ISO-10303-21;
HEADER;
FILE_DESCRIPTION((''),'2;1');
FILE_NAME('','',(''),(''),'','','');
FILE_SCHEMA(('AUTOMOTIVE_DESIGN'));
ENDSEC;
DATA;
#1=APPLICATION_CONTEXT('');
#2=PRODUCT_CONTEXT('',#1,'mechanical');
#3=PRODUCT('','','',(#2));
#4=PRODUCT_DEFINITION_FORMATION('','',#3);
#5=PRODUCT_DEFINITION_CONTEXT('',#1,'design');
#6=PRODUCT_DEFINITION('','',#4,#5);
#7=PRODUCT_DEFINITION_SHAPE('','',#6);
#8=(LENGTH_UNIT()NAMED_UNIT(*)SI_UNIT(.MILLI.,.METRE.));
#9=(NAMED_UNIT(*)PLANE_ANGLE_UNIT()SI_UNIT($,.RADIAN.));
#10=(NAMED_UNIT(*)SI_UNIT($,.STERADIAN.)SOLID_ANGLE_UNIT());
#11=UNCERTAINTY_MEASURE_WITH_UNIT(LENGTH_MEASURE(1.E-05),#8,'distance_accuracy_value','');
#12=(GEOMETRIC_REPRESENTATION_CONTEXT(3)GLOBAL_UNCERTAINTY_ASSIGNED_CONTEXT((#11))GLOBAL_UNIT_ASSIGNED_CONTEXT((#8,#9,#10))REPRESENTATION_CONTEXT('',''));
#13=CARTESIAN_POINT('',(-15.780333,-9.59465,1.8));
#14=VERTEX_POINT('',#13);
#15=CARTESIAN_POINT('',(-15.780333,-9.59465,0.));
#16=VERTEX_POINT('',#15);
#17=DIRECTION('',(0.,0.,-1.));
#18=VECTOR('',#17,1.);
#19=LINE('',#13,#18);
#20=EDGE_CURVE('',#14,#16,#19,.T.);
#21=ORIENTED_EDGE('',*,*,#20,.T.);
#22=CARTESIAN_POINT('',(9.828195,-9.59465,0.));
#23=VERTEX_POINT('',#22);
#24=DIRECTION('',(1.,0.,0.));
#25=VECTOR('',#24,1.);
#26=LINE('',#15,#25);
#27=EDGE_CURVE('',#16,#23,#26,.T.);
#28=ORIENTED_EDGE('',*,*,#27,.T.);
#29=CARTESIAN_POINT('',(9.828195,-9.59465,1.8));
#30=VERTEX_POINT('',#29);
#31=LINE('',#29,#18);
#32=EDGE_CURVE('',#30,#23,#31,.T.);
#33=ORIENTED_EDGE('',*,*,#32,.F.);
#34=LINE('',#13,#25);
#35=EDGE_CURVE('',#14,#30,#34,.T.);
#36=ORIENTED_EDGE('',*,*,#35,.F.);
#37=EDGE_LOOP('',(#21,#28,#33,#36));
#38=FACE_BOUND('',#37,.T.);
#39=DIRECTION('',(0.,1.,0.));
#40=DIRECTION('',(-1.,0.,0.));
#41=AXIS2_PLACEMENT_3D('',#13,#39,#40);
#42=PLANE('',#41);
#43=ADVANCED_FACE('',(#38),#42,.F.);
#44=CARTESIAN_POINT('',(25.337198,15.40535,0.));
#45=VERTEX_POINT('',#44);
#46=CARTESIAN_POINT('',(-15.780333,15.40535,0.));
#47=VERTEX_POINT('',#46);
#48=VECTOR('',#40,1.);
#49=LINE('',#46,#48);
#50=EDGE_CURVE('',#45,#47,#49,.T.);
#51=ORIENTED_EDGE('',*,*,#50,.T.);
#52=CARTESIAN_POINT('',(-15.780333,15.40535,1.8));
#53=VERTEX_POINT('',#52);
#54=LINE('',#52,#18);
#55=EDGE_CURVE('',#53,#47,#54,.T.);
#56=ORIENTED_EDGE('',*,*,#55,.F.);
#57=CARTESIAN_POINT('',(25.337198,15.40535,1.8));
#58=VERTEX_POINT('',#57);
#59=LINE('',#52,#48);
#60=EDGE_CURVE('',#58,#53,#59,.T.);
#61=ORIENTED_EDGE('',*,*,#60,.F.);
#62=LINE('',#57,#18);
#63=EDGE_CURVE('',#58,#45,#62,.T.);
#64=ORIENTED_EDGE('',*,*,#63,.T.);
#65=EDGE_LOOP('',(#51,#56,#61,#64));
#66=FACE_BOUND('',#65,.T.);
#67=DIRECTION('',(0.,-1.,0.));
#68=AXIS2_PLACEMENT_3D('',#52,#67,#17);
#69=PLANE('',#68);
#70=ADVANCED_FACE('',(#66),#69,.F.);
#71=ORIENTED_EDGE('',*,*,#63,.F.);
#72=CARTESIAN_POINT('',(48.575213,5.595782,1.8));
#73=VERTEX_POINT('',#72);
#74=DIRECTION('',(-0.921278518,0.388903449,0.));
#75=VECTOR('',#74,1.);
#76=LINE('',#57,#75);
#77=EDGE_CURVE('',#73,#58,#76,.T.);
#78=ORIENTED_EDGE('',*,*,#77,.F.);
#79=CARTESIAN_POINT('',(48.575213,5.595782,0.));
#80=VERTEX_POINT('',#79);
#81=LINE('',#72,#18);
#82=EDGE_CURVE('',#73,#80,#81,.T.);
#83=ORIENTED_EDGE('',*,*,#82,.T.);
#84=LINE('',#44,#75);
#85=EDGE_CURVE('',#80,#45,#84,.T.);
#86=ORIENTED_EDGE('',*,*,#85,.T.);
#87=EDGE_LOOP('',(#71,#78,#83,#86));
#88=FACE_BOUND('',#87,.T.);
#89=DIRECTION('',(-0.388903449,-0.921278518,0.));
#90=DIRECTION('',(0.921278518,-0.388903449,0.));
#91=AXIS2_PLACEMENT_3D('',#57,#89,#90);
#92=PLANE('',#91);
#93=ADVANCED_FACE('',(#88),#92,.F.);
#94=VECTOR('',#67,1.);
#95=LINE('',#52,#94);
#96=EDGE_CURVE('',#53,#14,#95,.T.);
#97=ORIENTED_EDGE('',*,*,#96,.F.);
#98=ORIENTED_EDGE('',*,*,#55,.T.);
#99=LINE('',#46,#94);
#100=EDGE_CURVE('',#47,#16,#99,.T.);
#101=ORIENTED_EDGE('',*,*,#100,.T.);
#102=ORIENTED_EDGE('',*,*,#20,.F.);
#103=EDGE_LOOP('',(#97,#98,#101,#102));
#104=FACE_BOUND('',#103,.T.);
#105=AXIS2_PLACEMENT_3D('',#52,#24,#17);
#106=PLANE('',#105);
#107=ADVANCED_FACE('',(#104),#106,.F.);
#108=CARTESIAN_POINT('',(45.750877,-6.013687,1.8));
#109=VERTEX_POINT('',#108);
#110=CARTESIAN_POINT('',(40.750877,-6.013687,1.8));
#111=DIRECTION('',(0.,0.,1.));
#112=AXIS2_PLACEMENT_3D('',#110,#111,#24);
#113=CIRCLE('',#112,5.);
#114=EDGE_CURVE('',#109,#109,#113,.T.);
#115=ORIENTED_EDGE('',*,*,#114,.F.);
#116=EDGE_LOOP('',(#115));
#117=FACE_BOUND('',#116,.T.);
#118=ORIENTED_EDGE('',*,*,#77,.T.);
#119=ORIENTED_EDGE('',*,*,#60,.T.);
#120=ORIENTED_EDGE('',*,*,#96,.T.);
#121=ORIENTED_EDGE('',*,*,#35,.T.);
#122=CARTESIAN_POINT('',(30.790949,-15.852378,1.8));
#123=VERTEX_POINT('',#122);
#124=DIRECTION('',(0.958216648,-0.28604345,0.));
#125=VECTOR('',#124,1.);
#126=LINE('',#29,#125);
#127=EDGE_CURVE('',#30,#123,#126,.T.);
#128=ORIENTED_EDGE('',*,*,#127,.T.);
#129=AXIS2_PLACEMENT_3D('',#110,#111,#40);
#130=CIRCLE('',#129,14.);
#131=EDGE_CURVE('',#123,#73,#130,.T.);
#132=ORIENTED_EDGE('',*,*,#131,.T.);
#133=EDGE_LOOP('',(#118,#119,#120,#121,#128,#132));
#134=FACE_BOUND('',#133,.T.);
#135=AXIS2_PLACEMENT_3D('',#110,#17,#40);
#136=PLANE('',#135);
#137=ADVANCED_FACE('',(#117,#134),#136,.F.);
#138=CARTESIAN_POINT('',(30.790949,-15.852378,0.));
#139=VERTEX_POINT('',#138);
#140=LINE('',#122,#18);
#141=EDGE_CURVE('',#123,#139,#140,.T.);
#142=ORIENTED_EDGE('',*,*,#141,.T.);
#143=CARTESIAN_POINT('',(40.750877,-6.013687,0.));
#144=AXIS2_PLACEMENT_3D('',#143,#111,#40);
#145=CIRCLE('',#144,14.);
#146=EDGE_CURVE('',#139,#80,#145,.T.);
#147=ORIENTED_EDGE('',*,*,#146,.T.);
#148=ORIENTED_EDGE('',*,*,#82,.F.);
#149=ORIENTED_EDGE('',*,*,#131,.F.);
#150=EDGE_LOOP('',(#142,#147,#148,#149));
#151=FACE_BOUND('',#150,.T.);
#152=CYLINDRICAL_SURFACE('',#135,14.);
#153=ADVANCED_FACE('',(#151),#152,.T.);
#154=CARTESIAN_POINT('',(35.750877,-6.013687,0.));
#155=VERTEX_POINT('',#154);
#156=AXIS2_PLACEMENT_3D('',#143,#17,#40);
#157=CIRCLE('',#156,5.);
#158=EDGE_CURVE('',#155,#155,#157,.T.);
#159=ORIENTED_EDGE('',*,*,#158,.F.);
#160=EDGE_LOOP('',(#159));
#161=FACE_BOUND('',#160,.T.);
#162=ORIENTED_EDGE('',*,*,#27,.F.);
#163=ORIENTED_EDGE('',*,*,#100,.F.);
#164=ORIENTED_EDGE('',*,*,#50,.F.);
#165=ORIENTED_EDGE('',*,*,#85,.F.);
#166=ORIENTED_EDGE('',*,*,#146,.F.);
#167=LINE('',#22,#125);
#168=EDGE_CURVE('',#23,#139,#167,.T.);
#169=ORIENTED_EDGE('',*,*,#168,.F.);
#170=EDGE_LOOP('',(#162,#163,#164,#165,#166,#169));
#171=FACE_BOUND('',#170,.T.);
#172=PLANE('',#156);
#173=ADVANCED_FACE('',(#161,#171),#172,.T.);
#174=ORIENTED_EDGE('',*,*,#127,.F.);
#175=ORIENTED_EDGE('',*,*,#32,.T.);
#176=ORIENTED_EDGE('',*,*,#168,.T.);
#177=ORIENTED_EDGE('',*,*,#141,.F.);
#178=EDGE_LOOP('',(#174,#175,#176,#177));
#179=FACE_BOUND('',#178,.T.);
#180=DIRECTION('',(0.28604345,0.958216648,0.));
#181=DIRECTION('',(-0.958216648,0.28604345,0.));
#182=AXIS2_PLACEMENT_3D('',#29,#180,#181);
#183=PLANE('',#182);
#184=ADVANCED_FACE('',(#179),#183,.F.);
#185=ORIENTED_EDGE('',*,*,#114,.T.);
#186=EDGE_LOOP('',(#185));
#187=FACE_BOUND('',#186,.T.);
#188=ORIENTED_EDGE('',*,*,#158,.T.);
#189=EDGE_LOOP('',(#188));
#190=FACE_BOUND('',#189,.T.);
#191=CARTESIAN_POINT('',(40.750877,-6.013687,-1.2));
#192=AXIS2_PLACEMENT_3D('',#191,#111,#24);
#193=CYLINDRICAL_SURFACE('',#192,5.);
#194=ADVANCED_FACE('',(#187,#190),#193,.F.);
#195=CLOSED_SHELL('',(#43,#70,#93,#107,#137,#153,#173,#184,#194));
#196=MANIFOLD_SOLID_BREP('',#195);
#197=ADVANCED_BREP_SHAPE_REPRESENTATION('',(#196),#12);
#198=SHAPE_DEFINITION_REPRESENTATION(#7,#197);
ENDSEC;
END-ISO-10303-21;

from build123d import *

# Parameters (mm, degrees)
RESSALTO_EXTRUS_O3_DEPTH = 1.8
ESBO_O7_R                = 5
CORTE_EXTRUS_O5_DEPTH    = 3


with BuildPart() as part:
    # Esboço1 → Ressalto-extrusão3 (new body)
    with BuildSketch(Plane.XY):
        with BuildLine():
            Line((-15.780332987, 15.405349819), (25.337197849, 15.405349819))
            Line((25.337197849, 15.405349819), (48.575213244, 5.595781738))
            ThreePointArc((48.575213244, 5.595781738), (51.52798537, -14.949789194), (30.790948881, -15.852377581))
            Line((30.790948881, -15.852377581), (9.828194525, -9.594650181))
            Line((9.828194525, -9.594650181), (-15.780332987, -9.594650181))
            Line((-15.780332987, -9.594650181), (-15.780332987, 15.405349819))
        make_face()
    extrude(amount=RESSALTO_EXTRUS_O3_DEPTH)

    # Esboço7 → Corte-extrusão5 (cut)
    with BuildSketch(Plane.XY.offset(1.8)):
        with Locations((40.750876667, -6.013686688)):
            Circle(ESBO_O7_R)
    extrude(amount=-CORTE_EXTRUS_O5_DEPTH, mode=Mode.SUBTRACT)


solid = part.part
